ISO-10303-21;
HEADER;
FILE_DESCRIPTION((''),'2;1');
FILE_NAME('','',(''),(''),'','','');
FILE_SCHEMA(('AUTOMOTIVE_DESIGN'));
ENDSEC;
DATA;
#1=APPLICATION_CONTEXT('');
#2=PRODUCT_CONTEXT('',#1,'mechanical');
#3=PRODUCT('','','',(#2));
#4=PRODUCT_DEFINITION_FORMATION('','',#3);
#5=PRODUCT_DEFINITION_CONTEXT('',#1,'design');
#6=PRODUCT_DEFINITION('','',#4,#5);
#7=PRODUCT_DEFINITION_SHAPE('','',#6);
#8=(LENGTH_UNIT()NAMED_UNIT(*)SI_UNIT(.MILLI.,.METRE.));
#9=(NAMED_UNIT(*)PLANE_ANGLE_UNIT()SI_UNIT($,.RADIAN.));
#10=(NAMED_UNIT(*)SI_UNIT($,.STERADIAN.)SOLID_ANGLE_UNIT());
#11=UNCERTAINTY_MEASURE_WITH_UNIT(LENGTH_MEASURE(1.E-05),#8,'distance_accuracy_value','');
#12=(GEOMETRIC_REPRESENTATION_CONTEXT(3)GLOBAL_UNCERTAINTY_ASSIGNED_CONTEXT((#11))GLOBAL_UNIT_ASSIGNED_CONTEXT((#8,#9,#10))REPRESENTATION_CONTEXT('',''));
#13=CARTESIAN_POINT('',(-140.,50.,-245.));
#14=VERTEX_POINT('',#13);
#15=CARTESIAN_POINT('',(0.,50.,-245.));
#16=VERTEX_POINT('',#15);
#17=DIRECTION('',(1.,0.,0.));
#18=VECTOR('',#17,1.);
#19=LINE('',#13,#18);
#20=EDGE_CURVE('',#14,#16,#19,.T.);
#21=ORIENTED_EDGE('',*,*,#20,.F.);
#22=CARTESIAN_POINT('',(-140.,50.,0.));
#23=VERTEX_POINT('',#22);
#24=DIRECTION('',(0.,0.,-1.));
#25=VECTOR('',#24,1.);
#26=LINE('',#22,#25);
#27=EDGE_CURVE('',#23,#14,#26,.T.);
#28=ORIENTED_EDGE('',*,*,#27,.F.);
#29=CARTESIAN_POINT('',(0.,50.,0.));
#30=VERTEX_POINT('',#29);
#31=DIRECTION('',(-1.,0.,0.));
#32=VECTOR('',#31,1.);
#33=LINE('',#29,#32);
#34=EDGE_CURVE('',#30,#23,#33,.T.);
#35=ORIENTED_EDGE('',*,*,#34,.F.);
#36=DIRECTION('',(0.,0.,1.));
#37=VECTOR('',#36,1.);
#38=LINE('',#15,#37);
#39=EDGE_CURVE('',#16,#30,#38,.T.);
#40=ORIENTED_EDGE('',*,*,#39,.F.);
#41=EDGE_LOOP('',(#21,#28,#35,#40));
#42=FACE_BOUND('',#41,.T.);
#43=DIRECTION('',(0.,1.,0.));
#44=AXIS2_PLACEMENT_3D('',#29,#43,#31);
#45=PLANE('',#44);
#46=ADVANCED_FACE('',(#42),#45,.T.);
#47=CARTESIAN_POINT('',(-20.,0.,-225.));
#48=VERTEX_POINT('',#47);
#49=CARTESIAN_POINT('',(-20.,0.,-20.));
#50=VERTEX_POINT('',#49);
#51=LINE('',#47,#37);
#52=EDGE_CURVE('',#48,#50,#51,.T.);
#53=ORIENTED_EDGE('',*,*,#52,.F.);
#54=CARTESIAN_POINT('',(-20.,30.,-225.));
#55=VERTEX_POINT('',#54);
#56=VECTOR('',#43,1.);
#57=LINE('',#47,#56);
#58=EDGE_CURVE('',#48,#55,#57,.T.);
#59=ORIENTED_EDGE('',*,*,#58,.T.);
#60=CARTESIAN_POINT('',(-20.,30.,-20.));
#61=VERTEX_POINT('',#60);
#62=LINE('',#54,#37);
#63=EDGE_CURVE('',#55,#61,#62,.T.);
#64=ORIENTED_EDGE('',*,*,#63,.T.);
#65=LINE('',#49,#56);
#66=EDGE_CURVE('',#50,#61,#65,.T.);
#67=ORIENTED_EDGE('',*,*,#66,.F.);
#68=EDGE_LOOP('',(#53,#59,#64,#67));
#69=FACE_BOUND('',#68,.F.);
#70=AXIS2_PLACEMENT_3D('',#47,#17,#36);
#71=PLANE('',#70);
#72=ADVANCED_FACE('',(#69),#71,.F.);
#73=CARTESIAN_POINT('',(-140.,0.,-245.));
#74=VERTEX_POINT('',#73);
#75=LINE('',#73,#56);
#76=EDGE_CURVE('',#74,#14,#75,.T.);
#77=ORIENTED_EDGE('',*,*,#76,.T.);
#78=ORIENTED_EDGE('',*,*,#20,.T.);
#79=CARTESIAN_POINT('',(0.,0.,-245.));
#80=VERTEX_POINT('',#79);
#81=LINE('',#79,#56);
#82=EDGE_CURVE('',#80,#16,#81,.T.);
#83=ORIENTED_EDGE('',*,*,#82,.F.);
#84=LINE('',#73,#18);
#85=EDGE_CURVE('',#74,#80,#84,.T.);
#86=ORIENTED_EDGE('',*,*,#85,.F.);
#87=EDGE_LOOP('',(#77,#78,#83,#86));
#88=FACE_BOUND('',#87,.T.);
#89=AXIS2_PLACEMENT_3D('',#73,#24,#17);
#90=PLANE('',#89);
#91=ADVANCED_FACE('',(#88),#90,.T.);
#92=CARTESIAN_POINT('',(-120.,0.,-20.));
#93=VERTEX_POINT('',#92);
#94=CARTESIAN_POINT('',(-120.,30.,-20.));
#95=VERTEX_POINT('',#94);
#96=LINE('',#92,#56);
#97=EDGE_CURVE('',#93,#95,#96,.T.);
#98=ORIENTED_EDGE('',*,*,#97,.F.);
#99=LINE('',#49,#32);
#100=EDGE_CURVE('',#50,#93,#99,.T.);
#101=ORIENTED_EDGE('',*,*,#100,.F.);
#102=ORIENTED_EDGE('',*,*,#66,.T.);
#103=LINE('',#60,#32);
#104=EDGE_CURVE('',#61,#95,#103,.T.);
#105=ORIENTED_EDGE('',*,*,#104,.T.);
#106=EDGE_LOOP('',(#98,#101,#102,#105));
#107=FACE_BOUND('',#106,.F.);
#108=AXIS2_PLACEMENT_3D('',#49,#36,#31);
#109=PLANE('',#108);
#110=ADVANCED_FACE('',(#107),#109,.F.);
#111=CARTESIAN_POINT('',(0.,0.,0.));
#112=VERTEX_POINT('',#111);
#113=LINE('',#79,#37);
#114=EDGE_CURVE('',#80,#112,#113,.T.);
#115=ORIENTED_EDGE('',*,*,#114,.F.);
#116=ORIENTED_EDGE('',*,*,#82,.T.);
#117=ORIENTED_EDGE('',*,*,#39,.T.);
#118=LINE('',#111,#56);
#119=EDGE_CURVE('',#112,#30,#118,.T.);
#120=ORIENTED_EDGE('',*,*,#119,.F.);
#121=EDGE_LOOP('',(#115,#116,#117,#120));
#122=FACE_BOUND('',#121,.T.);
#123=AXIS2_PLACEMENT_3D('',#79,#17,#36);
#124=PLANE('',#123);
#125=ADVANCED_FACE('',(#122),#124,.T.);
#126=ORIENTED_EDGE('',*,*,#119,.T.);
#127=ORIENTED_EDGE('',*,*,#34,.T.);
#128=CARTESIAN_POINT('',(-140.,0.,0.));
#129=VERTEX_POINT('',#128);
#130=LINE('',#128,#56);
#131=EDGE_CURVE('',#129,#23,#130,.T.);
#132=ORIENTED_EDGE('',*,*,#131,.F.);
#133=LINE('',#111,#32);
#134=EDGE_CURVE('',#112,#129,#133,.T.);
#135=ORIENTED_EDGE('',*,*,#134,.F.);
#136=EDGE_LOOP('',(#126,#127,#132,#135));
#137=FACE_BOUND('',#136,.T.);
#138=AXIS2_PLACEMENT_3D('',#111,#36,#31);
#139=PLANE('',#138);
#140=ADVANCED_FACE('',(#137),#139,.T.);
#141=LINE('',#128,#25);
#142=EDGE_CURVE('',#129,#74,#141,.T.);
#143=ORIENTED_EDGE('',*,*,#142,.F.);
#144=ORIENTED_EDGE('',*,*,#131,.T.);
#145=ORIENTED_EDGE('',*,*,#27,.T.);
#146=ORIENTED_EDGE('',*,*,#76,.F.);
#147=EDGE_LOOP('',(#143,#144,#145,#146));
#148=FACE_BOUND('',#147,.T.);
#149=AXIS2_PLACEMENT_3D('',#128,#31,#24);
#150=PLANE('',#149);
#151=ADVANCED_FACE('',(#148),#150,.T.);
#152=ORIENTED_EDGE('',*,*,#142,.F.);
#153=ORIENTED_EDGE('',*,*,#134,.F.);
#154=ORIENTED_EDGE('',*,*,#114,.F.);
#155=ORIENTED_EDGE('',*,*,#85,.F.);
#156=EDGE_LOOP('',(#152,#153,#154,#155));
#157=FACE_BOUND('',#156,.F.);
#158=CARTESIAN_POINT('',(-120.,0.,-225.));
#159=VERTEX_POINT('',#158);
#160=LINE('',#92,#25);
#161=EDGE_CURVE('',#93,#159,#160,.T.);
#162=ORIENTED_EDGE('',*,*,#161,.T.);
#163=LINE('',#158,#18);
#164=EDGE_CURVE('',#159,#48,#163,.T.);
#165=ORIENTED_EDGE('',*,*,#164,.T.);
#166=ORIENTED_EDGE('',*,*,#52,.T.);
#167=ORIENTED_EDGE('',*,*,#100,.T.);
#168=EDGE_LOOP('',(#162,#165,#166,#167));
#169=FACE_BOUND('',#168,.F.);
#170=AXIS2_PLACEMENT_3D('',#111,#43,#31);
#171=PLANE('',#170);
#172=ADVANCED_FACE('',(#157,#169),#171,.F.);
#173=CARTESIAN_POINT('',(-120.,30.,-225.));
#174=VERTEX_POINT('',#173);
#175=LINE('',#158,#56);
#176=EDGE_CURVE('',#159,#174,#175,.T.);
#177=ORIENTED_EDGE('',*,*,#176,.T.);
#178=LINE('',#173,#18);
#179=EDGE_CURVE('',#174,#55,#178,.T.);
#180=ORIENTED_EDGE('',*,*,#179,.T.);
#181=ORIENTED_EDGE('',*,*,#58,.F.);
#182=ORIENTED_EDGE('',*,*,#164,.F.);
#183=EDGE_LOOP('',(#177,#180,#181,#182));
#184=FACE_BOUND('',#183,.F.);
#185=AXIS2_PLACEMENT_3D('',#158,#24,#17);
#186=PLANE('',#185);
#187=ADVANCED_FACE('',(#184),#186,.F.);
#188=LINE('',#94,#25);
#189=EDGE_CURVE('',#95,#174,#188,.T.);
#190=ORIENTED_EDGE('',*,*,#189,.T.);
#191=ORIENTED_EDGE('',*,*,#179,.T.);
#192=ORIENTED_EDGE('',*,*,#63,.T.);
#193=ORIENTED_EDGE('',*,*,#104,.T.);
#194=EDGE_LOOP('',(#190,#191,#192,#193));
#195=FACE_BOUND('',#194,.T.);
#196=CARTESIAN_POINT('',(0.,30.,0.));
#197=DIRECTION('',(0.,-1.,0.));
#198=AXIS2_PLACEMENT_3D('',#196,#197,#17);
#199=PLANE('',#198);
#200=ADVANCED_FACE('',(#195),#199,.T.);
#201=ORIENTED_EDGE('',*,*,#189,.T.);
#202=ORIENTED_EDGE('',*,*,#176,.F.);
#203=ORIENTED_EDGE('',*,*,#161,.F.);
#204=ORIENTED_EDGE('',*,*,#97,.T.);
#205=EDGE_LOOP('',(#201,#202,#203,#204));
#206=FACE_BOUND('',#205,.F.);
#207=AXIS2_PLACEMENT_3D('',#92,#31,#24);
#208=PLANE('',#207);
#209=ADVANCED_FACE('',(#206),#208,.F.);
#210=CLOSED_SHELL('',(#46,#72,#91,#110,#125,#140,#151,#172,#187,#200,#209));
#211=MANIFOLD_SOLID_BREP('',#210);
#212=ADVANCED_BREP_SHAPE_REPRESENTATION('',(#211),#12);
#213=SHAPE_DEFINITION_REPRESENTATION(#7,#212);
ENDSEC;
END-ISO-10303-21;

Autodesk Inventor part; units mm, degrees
ref_plane "YZ Plane" through (0, 0, 0) normal (1, 0, 0) x (0, 1, 0)
ref_plane "XZ Plane" through (0, 0, 0) normal (0, 1, 0) x (-1, 0, 0)
ref_plane "XY Plane" through (0, 0, 0) normal (0, 0, 1) x (1, 0, 0)
sketch "Boceto1" plane through (0, 0, 0) normal (0, 1, 0) x (-1, 0, 0)
  line L0 (0, 0) -> (140, 0)
  line L1 (140, 0) -> (140, -245)
  line L2 (140, -245) -> (0, -245)
  line L3 (0, -245) -> (0, 0)
  dimension "d0" = 140
  dimension "d1" = 245
extrude "Extrusión1" add sketch "Boceto1" along normal blind 50
sketch "Boceto2" plane through (0, 0, 0) normal (0, -1, 0) x (1, 0, 0)
  line L0 (0, -245) -> (-140, -245) projected
  line L1 (0, 0) -> (0, -245) projected
  line L2 (-140, 0) -> (0, 0) projected
  line L3 (-140, -245) -> (-140, 0) projected
  line L4 (29.1712, 0) -> (29.1712, -20)
  line L5 (0, 50.4533) -> (-20, 50.4533)
  line L6 (-175.5774, 0) -> (-175.5774, -20)
  line L7 (-175.5774, -245) -> (-175.5774, -225)
  line L8 (29.1712, -245) -> (29.1712, -225)
  line L9 (0, -265) -> (-20, -265)
  line L10 (-140, 34.3082) -> (-120, 34.3082)
  line L11 (-140, -269.5122) -> (-120, -269.5122)
  line L12 (-20, -20) -> (-120, -20)
  line L13 (-120, -20) -> (-120, -225)
  line L14 (-120, -225) -> (-20, -225)
  line L15 (-20, -225) -> (-20, -20)
  dimension "d4" = 20
  dimension "d5" = 20
  dimension "d7" = 20
  dimension "d9" = 20
  dimension "d10" = 20
  dimension "d11" = 20
  dimension "d12" = 20
  dimension "d13" = 20
extrude "Extrusión2" cut sketch "Boceto2" against normal blind 30 contours L15 L14 L13 L12
properties part number "Lamina Superior"
